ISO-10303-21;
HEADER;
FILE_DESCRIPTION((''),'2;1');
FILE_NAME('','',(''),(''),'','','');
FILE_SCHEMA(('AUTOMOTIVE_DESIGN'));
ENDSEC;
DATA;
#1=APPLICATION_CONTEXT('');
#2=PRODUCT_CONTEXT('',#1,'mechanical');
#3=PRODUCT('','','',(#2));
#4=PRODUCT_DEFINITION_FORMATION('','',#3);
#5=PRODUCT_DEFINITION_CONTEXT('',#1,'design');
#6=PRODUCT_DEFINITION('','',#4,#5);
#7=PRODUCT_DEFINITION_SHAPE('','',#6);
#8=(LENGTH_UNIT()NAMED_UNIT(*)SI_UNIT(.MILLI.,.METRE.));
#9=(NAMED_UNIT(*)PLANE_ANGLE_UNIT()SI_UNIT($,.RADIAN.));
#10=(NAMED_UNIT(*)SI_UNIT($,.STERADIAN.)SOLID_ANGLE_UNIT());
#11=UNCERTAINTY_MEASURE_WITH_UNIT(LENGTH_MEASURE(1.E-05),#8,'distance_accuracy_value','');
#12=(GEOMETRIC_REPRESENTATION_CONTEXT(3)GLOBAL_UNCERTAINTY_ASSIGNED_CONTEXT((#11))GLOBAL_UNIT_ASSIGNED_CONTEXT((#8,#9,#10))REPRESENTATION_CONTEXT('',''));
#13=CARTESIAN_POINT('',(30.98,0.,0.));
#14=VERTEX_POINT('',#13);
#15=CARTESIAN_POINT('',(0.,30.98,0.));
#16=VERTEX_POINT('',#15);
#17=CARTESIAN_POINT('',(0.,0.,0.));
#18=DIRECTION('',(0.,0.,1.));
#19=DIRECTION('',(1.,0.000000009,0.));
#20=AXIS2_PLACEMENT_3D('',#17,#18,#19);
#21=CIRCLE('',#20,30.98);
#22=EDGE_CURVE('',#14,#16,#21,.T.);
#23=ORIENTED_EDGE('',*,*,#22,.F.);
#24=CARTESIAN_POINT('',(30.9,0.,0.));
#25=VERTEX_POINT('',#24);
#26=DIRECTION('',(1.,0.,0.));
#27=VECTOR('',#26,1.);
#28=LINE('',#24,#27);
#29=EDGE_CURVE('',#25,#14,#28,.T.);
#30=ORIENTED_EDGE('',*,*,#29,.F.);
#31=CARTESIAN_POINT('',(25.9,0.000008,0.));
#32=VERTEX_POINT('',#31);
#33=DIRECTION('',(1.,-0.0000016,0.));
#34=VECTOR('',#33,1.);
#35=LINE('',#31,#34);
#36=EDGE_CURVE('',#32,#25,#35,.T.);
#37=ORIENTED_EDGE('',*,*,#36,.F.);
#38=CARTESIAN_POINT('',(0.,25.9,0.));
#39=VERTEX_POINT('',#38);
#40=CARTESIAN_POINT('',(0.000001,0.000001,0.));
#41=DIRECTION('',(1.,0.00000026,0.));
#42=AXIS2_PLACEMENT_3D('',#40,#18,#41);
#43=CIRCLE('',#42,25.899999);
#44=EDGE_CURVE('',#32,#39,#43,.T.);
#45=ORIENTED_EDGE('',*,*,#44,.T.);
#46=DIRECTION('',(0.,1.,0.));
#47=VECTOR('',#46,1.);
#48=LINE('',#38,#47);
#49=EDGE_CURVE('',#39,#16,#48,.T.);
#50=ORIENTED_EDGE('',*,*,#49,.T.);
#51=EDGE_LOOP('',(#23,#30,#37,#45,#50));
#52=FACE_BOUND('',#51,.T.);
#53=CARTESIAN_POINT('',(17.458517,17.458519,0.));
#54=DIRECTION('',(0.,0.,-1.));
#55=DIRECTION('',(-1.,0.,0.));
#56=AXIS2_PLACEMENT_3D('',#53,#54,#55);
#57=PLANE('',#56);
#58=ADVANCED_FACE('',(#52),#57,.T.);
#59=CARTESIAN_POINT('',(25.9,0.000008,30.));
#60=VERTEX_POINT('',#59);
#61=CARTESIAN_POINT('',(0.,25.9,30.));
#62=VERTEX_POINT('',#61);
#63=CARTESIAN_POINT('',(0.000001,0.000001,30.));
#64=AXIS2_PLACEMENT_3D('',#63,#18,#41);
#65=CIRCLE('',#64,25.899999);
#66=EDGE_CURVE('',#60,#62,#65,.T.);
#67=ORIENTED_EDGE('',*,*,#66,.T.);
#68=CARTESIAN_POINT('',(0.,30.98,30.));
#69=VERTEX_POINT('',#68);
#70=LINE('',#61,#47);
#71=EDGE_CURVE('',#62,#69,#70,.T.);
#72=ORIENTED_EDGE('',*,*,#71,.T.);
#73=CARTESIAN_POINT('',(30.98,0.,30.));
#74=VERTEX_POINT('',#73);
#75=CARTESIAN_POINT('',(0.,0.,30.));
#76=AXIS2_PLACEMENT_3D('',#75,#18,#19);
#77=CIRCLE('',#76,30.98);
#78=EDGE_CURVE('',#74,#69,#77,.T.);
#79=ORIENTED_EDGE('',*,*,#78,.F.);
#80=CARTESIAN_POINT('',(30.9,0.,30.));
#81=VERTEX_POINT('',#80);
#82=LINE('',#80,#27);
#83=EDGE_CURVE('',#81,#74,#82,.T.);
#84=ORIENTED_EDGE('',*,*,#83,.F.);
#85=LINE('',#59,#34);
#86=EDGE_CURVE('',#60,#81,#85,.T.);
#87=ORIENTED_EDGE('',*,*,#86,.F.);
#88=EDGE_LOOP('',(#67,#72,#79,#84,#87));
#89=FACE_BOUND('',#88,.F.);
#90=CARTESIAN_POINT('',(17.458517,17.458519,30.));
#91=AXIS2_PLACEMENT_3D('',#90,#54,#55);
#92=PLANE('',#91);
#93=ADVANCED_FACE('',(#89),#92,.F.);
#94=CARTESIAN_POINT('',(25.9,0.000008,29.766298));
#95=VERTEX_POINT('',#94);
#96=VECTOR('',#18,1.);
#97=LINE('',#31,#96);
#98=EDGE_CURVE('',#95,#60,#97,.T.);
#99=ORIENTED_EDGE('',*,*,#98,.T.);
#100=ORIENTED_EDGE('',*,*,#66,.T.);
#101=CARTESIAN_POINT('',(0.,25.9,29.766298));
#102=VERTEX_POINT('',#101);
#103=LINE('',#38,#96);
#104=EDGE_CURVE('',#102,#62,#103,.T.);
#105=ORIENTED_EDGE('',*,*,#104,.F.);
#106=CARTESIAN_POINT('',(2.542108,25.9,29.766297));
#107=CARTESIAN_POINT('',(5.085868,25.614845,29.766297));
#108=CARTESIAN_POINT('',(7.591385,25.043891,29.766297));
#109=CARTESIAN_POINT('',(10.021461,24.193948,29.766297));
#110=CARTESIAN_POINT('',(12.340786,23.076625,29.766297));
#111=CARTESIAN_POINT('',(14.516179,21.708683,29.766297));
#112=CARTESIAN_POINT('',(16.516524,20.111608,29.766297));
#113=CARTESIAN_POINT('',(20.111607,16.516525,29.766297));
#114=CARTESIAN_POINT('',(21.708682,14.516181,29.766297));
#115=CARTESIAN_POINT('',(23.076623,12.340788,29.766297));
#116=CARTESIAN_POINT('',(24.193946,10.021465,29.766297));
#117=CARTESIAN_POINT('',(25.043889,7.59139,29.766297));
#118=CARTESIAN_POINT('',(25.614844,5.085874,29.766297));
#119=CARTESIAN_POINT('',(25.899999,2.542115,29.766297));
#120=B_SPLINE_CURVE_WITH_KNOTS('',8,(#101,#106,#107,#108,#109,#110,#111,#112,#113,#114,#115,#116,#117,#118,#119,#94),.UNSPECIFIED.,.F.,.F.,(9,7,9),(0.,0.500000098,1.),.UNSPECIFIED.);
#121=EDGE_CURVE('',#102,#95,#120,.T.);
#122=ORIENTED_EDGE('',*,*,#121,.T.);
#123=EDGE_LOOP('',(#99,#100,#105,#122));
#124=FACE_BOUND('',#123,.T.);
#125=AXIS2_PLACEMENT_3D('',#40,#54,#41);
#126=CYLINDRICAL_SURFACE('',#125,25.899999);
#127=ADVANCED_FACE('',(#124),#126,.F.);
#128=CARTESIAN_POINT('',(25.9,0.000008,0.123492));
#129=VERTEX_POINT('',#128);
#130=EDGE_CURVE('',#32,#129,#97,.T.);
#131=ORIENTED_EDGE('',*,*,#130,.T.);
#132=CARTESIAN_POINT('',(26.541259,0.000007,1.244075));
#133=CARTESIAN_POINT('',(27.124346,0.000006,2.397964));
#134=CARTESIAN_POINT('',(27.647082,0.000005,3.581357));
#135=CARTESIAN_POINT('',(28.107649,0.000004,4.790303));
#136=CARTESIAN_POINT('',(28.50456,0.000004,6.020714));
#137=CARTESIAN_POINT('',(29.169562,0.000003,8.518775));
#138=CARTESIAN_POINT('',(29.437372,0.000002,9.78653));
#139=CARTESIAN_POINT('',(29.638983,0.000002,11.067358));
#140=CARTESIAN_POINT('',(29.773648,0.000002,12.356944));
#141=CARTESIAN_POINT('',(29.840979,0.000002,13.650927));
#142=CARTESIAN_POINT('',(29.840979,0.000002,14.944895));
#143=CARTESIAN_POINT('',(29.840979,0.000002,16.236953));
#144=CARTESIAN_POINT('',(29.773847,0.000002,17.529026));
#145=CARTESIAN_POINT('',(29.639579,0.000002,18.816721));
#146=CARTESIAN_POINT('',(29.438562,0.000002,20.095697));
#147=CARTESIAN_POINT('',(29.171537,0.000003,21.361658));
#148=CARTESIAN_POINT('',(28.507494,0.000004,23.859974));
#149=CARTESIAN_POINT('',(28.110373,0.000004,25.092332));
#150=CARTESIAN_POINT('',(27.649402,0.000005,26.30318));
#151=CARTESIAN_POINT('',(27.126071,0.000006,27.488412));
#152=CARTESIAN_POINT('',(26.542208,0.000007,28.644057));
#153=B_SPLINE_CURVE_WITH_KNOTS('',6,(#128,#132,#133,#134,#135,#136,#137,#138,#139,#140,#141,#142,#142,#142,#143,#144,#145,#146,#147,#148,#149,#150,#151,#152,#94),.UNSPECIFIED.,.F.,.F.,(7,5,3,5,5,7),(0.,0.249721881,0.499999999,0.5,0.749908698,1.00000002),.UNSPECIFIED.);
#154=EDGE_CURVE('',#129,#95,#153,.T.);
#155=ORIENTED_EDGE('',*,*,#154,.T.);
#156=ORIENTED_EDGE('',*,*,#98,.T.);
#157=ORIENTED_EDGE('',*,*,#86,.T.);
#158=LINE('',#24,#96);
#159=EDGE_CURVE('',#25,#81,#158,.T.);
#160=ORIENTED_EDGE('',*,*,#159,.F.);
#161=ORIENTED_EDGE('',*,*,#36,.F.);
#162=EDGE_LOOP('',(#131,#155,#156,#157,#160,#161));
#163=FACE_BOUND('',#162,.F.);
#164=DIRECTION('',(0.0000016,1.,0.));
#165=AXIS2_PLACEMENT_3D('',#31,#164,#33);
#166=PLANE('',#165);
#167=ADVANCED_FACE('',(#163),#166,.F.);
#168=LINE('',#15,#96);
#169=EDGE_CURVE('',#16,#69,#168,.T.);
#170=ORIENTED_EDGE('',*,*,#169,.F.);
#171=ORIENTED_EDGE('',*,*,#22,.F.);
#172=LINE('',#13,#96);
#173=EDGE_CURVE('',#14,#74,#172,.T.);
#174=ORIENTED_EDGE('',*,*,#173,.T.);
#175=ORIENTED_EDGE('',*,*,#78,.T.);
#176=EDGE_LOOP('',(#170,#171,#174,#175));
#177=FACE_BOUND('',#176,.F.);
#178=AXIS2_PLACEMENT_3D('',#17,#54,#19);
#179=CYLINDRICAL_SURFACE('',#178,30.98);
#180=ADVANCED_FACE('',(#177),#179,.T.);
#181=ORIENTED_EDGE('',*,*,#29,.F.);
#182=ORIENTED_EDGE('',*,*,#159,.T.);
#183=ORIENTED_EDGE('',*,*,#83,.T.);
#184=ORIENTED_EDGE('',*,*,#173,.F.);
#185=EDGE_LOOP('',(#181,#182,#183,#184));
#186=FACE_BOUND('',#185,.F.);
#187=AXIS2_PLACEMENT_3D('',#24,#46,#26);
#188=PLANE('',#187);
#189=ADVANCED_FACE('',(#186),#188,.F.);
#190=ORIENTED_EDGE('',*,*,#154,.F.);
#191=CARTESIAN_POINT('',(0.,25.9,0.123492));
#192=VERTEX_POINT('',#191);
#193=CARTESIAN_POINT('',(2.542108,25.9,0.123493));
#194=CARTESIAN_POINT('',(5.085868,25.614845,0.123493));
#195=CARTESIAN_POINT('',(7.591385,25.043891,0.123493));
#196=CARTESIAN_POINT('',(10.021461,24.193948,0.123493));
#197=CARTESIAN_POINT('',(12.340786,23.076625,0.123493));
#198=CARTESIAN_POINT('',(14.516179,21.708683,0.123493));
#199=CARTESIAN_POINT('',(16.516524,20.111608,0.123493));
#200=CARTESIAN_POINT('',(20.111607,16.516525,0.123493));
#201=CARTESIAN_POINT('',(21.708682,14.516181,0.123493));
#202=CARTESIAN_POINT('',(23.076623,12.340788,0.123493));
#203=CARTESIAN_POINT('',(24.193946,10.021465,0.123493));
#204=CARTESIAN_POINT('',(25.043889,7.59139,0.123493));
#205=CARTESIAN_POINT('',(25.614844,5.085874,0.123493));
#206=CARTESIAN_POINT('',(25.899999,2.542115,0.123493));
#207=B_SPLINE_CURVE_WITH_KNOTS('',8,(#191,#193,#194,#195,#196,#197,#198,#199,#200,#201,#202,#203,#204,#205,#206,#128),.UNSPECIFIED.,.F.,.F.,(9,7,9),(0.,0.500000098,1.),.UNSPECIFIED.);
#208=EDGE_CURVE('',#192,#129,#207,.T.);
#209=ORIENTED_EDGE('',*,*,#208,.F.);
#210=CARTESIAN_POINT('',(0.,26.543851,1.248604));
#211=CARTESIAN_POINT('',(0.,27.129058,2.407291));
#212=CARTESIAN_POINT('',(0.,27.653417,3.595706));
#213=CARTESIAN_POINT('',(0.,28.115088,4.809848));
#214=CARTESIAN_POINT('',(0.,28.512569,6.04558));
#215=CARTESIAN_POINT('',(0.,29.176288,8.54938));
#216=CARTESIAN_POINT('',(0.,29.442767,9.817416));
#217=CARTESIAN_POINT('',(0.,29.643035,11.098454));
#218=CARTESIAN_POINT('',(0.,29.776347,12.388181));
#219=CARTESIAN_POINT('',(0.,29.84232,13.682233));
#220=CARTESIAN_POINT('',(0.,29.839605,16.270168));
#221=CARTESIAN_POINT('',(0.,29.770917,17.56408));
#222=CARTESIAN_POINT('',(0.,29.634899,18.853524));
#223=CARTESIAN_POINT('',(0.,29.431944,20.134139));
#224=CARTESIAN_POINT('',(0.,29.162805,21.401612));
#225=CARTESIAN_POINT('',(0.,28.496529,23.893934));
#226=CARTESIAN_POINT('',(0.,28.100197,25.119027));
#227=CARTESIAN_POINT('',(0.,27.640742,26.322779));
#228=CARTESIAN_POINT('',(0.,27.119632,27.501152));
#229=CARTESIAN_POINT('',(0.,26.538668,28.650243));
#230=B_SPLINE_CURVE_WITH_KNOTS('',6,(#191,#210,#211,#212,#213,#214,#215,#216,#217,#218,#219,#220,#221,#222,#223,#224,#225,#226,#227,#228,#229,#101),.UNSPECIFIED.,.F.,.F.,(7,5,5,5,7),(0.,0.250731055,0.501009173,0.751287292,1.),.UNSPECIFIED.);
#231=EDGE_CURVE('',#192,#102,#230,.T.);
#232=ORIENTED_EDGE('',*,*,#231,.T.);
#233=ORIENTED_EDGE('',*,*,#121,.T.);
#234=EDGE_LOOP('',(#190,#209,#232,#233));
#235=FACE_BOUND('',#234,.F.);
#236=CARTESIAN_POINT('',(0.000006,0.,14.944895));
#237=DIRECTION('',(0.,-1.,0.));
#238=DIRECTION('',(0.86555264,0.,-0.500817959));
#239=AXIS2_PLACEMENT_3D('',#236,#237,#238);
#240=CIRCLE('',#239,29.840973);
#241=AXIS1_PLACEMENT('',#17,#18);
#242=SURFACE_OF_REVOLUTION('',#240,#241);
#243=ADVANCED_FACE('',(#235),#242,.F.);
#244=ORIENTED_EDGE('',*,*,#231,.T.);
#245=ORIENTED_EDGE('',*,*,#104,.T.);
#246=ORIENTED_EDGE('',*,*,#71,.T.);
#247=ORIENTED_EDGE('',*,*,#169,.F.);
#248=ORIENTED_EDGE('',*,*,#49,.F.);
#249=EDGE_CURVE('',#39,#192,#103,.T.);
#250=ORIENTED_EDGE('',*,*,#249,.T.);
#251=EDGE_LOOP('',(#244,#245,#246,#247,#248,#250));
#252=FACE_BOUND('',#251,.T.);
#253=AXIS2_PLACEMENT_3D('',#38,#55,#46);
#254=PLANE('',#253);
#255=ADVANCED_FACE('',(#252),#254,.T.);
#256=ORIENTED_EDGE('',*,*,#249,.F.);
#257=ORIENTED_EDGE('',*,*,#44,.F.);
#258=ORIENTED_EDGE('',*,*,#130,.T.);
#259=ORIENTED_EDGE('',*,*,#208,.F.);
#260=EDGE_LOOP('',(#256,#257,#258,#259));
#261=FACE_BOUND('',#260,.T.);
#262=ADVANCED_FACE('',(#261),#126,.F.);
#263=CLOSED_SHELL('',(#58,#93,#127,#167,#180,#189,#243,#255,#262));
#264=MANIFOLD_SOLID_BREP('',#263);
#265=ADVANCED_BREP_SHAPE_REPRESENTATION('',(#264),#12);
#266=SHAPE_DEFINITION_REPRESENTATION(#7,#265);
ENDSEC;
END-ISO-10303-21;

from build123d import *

# Parameters (mm, degrees)
PAD_DEPTH = 30
BOX_W     = 10
BOX_H     = 10
BOX_DEPTH = 10


with BuildPart() as part:
    # Sketch (on XY_Plane of Origin) → Pad (new body)
    with BuildSketch(Plane.XY):
        with BuildLine():
            ThreePointArc((25.9, 8e-06), (18.314063, 18.314069), (0, 25.9))
            Line((0, 25.9), (0, 30.9))
            Line((0, 30.9), (0, 30.98))
            ThreePointArc((30.98, 0), (21.906168, 21.906168), (0, 30.98))
            Line((30.9, 0), (30.98, 0))
            Line((25.9, 8e-06), (30.9, 0))
        make_face()
    extrude(amount=PAD_DEPTH)

    # Box → Box (cut)
    with BuildSketch(Plane.XY):
        with Locations((5, 5)):
            Rectangle(BOX_W, BOX_H)
    extrude(amount=BOX_DEPTH, mode=Mode.SUBTRACT)

    # Sketch001 (on XZ_Plane of Origin) → Groove (revolve, cut)
    with BuildSketch(Plane.XZ):
        with BuildLine():
            ThreePointArc((25.828939, 0), (29.840979, 14.944895), (25.828939, 29.88979))
            Line((25.828939, 29.88979), (25.828939, 0))
        make_face()
    revolve(axis=Axis((0, 0, 0), (0, 0, 1)), mode=Mode.SUBTRACT)


solid = part.part
